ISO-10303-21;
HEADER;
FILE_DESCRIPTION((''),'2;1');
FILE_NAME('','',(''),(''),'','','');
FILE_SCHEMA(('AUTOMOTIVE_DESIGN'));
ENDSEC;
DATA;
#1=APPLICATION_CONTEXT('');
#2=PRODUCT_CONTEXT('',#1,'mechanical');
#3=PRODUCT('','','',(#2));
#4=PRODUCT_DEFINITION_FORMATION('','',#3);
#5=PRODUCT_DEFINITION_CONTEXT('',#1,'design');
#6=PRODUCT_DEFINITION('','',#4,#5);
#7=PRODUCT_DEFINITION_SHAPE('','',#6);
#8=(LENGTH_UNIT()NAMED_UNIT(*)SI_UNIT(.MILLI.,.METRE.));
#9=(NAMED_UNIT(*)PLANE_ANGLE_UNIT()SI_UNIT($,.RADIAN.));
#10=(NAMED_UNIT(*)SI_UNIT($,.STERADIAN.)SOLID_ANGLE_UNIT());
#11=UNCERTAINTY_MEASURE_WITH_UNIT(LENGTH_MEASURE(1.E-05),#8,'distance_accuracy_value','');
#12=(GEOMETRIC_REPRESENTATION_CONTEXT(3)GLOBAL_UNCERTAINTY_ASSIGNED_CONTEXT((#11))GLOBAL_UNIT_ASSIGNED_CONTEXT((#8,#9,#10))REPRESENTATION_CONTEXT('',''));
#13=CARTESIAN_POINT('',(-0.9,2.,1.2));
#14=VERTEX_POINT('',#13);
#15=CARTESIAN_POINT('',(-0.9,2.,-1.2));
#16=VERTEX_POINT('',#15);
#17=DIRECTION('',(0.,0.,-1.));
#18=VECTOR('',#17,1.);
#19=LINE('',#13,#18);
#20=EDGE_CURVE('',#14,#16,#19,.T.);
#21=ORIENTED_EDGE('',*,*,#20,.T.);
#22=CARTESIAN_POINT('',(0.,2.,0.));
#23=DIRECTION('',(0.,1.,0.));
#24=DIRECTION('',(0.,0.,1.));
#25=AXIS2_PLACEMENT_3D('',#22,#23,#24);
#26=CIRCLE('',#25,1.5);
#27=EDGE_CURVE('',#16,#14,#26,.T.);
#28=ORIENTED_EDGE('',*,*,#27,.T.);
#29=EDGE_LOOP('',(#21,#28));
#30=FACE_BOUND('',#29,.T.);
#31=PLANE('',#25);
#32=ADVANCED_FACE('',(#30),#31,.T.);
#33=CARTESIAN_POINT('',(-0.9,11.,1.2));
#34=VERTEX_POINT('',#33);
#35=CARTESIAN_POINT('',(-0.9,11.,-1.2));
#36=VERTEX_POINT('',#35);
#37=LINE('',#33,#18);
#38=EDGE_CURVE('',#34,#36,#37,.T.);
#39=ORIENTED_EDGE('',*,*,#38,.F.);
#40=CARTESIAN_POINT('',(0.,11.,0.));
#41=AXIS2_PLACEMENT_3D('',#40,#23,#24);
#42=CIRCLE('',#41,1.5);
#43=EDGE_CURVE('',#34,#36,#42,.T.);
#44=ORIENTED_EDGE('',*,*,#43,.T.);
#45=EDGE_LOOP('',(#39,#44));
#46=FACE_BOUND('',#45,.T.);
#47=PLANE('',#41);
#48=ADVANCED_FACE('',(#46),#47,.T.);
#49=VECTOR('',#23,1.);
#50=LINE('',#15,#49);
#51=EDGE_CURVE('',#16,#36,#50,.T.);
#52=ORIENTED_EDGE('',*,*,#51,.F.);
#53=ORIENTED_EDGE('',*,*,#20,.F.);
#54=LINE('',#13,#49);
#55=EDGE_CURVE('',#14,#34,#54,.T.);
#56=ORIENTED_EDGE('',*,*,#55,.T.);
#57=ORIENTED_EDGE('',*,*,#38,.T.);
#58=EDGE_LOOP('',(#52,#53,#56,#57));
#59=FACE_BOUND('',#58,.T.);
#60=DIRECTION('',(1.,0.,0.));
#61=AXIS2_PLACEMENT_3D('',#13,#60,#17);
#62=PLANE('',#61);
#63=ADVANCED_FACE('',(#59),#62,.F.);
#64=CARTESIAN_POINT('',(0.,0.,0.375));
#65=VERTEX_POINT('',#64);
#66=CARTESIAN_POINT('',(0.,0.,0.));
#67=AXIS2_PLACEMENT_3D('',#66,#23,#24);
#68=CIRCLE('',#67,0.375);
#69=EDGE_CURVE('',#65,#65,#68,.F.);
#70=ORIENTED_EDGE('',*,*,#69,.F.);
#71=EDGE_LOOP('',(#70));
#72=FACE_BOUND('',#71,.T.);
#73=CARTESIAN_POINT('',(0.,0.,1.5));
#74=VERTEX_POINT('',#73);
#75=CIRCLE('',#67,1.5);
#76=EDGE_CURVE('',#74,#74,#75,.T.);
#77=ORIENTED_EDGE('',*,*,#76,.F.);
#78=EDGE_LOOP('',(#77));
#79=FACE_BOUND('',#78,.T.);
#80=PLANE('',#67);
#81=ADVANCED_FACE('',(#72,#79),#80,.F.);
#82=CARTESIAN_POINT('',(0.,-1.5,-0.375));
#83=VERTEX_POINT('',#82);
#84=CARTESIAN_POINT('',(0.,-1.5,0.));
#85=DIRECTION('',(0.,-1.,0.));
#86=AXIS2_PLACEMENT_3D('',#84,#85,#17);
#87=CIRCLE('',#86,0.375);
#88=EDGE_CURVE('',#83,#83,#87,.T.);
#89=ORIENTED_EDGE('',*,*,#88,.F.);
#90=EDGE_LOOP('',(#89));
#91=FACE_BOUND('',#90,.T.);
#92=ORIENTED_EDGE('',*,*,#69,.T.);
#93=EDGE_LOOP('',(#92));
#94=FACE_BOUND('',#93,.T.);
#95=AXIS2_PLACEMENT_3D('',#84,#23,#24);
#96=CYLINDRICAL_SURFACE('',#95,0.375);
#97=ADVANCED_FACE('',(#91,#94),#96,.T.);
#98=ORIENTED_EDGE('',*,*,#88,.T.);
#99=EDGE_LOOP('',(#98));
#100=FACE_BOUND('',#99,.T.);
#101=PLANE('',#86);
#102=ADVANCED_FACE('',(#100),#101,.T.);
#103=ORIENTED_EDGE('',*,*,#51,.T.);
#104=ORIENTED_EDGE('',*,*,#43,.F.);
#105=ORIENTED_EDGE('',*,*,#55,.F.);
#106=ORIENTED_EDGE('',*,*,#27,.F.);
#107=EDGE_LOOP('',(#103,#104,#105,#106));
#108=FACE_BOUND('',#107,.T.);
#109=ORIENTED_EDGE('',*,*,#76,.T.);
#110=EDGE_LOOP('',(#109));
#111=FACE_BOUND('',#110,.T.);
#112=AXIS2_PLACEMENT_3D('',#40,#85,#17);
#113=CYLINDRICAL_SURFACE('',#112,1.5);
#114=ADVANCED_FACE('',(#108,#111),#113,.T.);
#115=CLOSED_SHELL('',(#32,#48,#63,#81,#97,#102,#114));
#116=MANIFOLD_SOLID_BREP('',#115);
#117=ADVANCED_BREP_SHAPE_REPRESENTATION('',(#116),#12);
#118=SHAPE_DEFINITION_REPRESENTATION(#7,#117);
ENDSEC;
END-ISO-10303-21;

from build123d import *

# Parameters (mm, degrees)
SKETCH_1_R          = 1.5
EXTRUDE_1_DEPTH     = 11
CUT_EXTRUDE_START   = -9
CUT_EXTRUDE_1_DEPTH = 9
SKETCH_3_R          = 0.375
EXTRUDE_2_DEPTH     = 1.5


with BuildPart() as part:
    # Эскиз1 → Бобышка-Вытянуть1 (new body)
    with BuildSketch(Plane(origin=(0, 0, 0), x_dir=(1, 0, 0), z_dir=(0, 1, 0))):
        with Locations(Location((0, 0, 0), (0, 0, 270))):
            Circle(SKETCH_1_R)
    extrude(amount=EXTRUDE_1_DEPTH)

    # Эскиз2 → Вырез-Вытянуть1 (cut)
    with BuildSketch(Plane(origin=(0, 11, 0), x_dir=(1, 0, 0), z_dir=(0, 1, 0)).offset(CUT_EXTRUDE_START)):
        with BuildLine():
            Line((-0.9, -1.2), (-0.9, 1.2))
            ThreePointArc((-0.9, 1.2), (-1.5, 0), (-0.9, -1.2))
        make_face()
    extrude(amount=CUT_EXTRUDE_1_DEPTH, mode=Mode.SUBTRACT)

    # Эскиз3 → Бобышка-Вытянуть2 (add)
    with BuildSketch(Plane.XZ):
        with Locations(Location((0, 0, 0), (0, 0, 90))):
            Circle(SKETCH_3_R)
    extrude(amount=EXTRUDE_2_DEPTH)


solid = part.part
